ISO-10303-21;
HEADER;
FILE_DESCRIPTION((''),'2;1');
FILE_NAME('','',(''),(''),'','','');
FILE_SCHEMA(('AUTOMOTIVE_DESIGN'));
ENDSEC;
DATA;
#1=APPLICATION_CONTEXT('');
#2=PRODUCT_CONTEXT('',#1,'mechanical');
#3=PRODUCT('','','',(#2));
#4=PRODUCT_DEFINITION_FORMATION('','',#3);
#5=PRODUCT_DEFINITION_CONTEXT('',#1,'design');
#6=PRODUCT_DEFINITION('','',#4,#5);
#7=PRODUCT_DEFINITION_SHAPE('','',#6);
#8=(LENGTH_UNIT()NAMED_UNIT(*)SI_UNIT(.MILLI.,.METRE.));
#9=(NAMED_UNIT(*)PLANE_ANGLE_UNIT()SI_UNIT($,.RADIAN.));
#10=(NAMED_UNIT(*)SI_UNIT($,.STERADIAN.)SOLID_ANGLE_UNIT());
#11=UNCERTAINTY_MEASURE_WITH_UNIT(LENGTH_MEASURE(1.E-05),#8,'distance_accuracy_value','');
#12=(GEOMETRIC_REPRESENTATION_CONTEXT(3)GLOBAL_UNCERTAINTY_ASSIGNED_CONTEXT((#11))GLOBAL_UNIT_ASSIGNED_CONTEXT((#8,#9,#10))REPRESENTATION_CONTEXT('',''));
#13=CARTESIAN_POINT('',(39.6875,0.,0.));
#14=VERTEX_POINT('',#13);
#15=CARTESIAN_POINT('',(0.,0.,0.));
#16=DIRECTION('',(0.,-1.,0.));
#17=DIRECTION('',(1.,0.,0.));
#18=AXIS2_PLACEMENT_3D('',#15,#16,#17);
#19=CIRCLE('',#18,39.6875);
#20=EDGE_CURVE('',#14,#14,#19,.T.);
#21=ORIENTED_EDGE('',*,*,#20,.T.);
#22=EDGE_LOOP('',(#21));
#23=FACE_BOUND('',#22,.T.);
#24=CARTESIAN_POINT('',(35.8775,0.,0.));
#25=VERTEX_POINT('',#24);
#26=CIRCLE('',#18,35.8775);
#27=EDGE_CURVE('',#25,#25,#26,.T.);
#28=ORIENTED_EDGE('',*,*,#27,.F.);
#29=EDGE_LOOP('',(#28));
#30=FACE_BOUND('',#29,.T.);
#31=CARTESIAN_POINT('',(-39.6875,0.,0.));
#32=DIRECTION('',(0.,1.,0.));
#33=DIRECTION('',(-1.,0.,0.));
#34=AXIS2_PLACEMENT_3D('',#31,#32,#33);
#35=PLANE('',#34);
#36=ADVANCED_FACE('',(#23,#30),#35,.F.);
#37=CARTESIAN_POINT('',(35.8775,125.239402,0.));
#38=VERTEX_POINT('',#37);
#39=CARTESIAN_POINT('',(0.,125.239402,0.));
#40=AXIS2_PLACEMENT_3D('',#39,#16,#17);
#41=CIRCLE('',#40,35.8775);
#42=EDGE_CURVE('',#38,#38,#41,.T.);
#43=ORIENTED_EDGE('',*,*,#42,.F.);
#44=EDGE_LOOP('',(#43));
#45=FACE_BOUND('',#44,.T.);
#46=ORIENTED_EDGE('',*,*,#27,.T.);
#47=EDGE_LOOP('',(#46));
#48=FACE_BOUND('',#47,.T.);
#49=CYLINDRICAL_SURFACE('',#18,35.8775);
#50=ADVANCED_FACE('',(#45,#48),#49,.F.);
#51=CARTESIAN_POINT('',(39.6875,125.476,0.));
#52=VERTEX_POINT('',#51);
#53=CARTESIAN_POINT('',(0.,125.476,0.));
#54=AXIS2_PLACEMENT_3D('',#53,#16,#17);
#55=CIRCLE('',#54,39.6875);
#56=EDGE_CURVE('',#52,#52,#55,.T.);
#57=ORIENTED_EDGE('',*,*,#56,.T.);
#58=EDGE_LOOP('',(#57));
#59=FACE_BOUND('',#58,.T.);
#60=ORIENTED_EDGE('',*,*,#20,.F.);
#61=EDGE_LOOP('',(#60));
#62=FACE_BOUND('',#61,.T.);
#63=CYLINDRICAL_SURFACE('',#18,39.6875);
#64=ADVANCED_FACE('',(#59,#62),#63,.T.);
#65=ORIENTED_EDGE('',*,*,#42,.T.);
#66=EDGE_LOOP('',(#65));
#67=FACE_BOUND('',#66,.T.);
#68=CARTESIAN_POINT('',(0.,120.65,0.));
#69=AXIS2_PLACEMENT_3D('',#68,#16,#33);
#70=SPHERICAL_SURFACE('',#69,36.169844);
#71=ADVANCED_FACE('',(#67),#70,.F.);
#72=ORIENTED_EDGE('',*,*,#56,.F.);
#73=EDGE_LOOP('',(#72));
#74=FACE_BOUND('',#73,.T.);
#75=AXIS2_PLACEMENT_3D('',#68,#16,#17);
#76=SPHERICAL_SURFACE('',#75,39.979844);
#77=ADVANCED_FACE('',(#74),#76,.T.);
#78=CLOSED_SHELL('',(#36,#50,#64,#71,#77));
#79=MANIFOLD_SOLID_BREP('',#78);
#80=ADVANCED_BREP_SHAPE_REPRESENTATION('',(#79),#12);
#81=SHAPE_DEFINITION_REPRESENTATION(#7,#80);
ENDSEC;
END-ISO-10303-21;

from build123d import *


with BuildPart() as part:
    # Sketch1 → Revolve1 (revolve)
    with BuildSketch(Plane.XY, mode=Mode.PRIVATE) as revolve1_sk:
        with BuildLine():
            Line((-39.6875, 0), (-39.6875, 125.476))
            ThreePointArc((-39.6875, 125.476), (-26.508915526, 150.5776683), (0, 160.629844075))
            Line((0, 160.629844075), (0, 156.819844075))
            ThreePointArc((0, 156.819844075), (-23.898322662, 147.800097501), (-35.8775, 125.239402374))
            Line((-35.8775, 125.239402374), (-35.8775, 0))
            Line((-35.8775, 0), (-39.6875, 0))
        make_face()
    revolve(revolve1_sk.sketch.rotate(Axis((0, 0, 0), (0, 1, 0)), 180), axis=Axis((0, 0, 0), (0, 1, 0)))


solid = part.part
